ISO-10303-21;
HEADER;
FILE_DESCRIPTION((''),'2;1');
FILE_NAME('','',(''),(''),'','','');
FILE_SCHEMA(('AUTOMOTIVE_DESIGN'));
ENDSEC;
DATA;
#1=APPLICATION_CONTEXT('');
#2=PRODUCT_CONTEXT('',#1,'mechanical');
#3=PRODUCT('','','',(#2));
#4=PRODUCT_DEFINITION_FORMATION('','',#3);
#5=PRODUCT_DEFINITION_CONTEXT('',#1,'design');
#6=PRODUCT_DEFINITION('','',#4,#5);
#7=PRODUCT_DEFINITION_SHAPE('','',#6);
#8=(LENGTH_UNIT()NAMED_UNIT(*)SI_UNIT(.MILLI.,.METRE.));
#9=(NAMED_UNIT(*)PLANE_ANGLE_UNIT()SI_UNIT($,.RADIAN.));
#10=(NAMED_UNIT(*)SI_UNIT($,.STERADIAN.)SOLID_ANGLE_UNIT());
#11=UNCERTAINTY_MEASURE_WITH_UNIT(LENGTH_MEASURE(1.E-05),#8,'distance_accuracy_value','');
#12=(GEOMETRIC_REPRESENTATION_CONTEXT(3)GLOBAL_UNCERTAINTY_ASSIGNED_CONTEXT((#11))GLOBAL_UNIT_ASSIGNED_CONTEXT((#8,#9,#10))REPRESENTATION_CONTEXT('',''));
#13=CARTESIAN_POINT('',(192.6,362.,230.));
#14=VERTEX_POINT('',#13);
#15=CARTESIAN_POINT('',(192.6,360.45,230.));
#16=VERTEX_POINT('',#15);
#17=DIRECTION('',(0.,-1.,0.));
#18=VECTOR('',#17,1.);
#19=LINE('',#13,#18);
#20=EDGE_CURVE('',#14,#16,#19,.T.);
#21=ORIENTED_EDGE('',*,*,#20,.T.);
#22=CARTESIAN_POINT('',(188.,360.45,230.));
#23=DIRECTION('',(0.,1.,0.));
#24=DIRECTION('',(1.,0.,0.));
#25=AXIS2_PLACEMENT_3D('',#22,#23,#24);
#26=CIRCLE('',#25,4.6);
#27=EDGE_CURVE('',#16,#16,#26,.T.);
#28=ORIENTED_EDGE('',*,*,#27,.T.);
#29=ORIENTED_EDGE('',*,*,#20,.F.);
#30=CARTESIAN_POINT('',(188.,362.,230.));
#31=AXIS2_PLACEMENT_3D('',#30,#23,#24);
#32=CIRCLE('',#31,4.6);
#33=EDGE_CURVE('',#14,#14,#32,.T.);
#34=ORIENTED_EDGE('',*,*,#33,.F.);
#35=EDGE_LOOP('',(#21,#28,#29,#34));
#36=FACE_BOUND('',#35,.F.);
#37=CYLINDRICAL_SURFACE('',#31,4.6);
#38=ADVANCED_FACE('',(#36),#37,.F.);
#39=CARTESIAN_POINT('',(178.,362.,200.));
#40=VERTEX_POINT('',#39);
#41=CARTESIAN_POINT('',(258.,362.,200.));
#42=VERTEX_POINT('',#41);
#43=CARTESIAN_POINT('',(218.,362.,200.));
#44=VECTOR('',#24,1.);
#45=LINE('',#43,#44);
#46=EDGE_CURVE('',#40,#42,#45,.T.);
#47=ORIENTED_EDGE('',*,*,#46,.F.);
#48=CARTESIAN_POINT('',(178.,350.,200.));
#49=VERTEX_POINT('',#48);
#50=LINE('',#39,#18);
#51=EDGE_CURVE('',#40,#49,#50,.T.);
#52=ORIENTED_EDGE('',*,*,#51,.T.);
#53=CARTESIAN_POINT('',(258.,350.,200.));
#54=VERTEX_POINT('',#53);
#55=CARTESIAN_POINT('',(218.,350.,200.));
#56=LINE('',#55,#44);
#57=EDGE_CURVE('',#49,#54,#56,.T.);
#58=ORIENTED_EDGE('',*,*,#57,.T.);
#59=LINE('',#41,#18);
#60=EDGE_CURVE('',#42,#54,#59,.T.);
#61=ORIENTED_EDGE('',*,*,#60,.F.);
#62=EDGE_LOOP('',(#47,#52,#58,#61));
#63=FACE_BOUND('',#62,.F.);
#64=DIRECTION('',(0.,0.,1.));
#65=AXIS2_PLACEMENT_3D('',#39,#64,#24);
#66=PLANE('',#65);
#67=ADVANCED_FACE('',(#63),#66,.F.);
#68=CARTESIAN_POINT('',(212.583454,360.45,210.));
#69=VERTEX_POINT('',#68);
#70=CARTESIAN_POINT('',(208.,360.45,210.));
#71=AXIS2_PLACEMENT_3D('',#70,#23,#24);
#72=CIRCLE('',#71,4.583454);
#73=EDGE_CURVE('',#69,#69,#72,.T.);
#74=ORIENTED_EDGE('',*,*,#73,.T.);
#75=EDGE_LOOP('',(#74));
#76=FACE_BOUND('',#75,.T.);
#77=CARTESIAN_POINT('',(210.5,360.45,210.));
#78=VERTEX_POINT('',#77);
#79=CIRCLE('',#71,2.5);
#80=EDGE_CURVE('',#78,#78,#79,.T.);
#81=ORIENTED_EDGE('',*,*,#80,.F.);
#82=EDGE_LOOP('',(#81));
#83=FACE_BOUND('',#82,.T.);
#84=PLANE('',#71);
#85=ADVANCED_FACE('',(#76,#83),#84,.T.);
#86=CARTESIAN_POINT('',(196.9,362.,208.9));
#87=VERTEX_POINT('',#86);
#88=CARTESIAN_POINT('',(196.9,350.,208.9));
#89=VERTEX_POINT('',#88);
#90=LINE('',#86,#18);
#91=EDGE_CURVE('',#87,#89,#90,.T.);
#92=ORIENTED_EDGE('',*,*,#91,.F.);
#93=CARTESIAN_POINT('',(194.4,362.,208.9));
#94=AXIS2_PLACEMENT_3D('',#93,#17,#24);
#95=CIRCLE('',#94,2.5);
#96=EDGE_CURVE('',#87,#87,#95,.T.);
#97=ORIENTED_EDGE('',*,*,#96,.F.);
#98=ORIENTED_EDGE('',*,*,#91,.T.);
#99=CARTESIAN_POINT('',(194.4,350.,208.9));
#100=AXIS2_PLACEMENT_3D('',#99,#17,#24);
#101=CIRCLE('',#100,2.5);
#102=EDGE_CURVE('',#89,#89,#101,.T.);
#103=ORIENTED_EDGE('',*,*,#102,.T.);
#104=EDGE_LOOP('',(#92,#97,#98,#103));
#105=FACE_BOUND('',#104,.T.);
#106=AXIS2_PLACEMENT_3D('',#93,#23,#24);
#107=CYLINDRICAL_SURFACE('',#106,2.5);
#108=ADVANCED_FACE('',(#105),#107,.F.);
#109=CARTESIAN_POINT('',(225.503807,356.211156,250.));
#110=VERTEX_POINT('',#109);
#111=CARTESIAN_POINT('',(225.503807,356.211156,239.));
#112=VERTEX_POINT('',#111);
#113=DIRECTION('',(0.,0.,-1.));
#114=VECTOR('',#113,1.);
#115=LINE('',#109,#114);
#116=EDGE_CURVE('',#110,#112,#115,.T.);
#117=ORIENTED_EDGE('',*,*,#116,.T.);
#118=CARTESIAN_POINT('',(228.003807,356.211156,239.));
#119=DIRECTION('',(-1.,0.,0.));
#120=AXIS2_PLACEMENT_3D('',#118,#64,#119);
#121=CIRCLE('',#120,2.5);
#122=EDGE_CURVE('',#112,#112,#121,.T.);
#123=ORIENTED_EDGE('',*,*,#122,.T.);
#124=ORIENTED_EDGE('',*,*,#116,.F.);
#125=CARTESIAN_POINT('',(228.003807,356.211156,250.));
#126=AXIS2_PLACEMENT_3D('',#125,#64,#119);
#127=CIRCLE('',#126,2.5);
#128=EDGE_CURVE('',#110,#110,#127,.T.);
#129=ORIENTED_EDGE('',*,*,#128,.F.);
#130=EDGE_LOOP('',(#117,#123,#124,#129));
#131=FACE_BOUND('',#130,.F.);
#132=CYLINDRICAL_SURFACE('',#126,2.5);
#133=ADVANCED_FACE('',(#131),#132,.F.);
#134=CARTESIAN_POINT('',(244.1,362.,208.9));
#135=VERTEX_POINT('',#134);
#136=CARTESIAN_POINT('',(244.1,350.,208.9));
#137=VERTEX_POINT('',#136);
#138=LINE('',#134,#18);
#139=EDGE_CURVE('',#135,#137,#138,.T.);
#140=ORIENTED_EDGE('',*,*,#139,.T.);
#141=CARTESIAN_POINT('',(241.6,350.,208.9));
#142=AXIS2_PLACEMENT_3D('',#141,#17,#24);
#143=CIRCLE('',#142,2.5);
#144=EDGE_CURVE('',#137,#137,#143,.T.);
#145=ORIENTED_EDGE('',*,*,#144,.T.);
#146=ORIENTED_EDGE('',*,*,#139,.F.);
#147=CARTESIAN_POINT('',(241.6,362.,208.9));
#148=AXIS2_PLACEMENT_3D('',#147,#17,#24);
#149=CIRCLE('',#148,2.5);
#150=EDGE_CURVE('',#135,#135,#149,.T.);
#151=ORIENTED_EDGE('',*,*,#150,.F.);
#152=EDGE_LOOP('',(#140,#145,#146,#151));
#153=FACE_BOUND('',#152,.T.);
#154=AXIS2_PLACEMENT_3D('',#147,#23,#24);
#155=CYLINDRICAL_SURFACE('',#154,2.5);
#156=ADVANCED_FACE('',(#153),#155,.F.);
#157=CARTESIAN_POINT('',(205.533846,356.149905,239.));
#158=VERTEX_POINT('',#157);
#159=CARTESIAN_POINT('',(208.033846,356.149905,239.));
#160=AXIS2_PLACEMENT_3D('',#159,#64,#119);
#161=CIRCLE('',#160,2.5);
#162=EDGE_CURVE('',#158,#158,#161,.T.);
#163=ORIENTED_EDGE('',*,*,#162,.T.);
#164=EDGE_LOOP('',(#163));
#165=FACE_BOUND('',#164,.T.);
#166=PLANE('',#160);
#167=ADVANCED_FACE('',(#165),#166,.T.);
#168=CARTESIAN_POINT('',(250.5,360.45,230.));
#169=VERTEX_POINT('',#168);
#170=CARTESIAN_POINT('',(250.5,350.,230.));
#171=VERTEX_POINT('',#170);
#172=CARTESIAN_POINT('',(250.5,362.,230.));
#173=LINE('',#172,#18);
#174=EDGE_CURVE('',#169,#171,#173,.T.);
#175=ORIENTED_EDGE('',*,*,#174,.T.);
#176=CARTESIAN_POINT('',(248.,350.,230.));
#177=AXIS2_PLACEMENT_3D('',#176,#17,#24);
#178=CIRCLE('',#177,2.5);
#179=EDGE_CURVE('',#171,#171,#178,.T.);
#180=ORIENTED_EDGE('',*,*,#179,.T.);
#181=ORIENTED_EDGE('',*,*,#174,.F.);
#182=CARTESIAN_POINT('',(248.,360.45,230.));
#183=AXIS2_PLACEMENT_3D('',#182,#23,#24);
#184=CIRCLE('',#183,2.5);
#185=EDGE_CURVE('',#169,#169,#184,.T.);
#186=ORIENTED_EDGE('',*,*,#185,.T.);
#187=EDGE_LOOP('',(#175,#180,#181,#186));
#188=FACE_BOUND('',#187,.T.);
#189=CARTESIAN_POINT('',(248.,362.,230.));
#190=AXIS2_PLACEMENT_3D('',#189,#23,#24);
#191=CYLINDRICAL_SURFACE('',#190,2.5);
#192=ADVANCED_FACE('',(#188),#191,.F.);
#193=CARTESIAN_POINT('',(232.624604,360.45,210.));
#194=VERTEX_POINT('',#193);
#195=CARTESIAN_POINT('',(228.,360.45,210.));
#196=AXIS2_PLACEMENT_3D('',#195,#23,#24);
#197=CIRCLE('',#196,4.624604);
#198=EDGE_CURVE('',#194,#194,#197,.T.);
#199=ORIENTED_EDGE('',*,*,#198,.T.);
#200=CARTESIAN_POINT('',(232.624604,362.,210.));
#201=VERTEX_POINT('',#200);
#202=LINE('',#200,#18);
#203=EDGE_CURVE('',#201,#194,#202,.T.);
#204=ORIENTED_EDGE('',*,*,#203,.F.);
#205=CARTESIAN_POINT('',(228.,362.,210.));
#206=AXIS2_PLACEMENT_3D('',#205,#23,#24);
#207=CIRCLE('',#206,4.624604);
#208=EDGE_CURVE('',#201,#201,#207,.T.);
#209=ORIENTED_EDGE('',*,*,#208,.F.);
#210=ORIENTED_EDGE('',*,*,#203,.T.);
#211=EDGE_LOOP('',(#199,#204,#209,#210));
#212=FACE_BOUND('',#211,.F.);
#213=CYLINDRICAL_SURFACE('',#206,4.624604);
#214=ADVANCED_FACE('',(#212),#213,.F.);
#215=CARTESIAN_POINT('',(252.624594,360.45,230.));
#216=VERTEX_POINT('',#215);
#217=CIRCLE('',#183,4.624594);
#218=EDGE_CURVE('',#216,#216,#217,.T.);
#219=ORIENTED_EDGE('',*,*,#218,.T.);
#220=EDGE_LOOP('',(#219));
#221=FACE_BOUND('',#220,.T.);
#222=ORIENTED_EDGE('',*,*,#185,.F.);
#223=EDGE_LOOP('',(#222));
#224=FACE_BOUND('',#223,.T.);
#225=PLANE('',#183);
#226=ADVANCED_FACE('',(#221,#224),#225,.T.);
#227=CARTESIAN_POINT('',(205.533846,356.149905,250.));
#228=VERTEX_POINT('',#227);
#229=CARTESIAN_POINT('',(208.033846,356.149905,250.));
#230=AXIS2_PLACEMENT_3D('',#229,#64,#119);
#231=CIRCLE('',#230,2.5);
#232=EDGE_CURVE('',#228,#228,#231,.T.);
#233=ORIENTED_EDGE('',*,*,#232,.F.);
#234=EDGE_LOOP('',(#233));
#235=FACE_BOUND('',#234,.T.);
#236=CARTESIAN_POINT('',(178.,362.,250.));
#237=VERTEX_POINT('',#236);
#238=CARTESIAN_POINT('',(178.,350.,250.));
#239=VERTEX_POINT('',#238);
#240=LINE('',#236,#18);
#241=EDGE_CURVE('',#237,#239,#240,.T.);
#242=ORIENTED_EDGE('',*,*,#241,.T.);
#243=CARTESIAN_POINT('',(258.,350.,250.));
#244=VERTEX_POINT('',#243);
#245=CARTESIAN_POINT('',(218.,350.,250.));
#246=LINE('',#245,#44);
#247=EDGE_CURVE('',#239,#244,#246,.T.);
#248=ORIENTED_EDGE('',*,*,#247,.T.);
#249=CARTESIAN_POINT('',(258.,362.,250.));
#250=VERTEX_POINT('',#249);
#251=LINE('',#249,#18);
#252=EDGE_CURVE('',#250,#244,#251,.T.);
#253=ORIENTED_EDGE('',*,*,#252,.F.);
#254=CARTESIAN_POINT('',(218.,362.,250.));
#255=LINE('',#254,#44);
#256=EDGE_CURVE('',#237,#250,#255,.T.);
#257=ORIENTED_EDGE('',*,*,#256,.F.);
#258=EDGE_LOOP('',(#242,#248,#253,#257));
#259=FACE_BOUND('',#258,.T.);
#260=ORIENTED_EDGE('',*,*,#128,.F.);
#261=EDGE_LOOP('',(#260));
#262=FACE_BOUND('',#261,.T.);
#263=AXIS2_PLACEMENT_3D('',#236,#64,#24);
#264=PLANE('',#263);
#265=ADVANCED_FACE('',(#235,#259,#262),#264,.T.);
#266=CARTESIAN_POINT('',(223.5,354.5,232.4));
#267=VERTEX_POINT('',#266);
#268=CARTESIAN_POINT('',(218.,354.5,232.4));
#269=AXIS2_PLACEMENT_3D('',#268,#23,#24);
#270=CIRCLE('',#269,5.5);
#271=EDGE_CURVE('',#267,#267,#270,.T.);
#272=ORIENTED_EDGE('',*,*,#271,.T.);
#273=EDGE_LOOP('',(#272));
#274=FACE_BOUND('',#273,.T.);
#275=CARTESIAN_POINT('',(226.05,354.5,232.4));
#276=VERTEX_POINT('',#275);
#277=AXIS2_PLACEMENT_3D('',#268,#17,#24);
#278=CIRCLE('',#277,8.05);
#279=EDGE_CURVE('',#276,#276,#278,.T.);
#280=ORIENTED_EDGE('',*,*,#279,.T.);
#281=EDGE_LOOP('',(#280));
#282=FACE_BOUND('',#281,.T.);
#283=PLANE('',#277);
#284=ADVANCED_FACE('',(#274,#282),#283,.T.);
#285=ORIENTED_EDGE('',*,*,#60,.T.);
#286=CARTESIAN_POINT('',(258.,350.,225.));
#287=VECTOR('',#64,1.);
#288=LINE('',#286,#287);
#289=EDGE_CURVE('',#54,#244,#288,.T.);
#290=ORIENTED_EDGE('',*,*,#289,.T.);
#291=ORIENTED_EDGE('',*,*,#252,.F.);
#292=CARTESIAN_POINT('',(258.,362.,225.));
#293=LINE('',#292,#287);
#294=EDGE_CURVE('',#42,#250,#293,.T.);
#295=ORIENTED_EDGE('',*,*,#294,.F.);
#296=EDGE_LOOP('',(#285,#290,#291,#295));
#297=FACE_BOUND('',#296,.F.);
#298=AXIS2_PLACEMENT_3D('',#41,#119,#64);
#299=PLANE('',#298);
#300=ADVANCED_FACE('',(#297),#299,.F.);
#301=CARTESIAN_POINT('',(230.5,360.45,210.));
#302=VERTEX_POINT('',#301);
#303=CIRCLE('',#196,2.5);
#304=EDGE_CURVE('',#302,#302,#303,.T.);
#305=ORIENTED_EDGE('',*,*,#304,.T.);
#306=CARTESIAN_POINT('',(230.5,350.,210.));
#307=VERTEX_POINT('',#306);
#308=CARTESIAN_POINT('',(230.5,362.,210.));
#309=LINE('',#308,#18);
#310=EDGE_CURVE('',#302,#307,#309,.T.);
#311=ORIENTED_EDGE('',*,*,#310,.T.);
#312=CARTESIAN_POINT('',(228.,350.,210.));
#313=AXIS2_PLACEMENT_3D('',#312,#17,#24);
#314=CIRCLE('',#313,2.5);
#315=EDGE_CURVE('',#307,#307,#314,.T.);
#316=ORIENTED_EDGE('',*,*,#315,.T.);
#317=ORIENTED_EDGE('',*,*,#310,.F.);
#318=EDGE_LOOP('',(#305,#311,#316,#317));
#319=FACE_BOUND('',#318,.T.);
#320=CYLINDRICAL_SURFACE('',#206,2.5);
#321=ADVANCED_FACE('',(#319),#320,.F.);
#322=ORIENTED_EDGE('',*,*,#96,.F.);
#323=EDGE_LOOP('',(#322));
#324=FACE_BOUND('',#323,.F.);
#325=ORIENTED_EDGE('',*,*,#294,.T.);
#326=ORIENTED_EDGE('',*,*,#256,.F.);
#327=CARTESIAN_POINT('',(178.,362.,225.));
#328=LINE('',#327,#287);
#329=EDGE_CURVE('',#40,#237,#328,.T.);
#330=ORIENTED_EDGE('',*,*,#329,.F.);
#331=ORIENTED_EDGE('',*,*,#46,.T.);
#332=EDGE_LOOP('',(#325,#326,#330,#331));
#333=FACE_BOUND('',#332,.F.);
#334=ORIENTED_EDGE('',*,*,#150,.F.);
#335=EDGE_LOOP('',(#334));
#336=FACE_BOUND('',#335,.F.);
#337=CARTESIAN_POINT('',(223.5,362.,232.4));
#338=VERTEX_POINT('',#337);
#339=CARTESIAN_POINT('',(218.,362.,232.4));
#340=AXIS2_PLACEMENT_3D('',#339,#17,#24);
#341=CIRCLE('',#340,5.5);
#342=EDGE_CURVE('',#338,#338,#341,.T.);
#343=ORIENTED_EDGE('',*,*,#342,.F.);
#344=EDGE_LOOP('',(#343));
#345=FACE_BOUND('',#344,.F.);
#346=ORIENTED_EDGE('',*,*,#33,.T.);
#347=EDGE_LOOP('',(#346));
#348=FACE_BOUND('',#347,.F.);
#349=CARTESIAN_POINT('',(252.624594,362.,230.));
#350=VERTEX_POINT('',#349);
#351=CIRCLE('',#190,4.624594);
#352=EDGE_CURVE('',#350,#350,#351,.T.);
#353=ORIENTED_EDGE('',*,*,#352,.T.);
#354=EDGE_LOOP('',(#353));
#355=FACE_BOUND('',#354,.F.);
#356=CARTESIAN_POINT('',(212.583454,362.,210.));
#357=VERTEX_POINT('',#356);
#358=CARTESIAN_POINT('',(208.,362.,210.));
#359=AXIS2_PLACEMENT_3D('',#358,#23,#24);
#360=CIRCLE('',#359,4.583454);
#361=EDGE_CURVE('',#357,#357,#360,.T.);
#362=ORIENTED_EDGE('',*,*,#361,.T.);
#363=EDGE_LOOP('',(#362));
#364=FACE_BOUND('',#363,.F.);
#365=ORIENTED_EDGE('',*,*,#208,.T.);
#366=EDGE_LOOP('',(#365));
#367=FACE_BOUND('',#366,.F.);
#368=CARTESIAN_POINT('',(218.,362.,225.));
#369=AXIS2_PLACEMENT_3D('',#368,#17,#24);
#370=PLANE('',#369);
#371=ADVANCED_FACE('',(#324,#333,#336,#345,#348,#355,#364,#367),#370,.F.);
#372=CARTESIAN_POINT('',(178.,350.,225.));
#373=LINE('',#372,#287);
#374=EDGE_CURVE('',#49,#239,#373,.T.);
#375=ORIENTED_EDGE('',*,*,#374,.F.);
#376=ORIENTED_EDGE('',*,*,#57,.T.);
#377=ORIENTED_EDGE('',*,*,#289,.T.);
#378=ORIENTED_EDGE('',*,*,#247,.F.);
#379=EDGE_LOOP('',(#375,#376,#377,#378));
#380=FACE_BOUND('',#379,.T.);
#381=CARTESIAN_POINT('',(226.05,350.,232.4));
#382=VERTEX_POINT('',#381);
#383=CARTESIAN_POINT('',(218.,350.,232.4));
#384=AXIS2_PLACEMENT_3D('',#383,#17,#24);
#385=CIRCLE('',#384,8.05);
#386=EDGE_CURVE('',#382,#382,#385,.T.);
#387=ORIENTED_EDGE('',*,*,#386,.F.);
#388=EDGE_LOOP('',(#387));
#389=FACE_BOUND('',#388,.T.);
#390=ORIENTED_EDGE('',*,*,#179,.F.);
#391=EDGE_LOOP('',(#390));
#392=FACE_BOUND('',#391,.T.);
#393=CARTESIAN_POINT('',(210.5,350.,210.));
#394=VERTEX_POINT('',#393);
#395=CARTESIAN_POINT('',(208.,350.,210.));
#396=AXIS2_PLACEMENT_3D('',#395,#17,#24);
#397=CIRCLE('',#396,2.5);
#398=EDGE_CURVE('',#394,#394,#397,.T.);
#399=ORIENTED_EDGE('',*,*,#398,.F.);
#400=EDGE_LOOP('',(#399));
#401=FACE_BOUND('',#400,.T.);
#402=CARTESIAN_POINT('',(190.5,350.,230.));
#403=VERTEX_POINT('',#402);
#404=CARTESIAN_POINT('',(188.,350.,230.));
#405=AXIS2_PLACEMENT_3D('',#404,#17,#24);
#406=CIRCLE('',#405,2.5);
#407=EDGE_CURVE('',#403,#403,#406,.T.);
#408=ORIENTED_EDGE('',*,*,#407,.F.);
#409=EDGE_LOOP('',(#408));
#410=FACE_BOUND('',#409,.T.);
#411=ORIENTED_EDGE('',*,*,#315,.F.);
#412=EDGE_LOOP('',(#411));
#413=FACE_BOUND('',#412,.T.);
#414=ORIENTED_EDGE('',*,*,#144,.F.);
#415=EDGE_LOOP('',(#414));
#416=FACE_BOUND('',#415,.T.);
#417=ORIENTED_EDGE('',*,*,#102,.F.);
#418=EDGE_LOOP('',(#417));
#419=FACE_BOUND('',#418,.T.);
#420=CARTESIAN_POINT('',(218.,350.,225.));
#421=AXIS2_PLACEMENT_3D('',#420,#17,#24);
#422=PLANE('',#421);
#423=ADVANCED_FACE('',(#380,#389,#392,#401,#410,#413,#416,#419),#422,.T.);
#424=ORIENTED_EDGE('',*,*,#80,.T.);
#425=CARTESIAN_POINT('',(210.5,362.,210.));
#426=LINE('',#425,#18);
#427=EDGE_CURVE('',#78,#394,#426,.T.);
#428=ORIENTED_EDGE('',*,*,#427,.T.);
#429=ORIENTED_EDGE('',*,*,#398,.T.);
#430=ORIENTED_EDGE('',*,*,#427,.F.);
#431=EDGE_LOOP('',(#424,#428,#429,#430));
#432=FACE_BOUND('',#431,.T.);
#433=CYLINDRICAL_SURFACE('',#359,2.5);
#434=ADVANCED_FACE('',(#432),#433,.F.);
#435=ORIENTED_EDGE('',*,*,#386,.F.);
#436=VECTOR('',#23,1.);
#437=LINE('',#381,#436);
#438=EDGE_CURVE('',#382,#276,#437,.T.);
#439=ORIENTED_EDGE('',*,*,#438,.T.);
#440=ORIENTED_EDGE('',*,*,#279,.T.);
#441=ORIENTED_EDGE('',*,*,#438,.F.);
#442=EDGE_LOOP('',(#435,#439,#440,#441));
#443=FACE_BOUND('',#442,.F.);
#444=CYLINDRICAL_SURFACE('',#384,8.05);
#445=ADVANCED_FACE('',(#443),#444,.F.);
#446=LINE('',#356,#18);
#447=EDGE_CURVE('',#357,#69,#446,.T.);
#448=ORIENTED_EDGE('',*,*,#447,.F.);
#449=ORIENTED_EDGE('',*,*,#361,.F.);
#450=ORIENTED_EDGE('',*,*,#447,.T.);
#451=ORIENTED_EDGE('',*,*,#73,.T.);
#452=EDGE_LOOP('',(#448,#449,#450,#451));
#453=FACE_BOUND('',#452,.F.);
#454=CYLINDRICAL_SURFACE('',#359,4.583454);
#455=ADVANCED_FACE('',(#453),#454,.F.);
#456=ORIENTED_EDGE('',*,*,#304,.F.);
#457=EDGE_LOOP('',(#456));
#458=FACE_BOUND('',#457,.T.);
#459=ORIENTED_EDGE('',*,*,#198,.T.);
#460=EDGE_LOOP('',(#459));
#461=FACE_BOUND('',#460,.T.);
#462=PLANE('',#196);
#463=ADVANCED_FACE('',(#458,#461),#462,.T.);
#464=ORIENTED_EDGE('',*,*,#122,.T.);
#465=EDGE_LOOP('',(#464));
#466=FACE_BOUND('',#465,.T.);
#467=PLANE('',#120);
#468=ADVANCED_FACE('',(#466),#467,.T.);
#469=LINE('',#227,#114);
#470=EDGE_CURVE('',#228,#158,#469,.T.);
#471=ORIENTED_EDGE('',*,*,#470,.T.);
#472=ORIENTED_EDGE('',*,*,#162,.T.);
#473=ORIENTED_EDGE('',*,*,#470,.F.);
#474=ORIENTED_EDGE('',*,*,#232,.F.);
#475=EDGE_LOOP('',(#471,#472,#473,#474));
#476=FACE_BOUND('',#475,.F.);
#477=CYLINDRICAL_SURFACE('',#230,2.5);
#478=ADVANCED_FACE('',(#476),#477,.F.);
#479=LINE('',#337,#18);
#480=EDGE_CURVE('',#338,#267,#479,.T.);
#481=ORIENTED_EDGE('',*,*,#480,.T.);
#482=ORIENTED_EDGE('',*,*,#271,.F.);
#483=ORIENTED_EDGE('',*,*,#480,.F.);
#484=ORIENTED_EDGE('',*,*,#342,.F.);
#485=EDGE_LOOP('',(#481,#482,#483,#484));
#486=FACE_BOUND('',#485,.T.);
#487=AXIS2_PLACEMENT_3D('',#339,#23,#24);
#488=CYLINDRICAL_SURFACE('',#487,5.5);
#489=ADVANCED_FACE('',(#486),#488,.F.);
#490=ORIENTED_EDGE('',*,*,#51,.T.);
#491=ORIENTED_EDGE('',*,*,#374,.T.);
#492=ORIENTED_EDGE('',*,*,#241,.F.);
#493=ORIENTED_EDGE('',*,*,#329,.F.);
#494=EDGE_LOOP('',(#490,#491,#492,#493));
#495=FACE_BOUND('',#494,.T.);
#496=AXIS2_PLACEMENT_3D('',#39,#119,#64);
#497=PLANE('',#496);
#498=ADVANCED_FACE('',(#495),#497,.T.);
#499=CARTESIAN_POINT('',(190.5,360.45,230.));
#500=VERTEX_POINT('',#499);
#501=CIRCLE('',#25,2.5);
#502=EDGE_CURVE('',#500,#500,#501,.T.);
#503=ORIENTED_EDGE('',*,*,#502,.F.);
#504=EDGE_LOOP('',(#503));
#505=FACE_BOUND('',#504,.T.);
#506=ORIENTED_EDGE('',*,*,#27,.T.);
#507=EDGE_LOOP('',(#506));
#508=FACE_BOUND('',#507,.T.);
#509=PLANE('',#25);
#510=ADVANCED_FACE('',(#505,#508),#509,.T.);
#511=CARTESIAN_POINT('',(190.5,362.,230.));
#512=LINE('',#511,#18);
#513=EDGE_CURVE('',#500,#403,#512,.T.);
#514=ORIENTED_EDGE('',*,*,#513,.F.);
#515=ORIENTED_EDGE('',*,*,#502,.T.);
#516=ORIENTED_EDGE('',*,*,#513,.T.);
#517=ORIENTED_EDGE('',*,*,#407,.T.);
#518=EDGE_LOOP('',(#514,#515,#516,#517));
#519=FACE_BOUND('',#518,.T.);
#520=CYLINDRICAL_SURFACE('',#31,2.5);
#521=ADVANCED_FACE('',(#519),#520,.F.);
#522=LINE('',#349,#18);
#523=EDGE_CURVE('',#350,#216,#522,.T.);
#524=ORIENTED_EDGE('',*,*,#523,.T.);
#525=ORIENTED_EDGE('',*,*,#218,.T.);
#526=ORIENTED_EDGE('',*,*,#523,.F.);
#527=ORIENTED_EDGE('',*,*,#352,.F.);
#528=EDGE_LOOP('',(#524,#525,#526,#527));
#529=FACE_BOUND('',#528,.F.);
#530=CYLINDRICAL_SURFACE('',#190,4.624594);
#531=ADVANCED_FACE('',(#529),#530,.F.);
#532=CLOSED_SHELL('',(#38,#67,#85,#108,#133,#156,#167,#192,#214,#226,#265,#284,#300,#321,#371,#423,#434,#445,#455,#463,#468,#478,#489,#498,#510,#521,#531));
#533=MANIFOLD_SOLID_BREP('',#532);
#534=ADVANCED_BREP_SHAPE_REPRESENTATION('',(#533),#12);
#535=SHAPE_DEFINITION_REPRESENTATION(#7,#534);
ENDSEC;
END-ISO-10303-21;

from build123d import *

# Parameters (mm, degrees)
SKETCH023_W     = 80
SKETCH023_H     = 50
SKETCH023_R     = 2.5
SKETCH023_R_2   = 5.5
PAD005_DEPTH    = 12
SKETCH024_R     = 2.5
POCKET015_DEPTH = 11
SKETCH025_R     = 8.05
POCKET016_DEPTH = 4.5
SKETCH026_R     = 4.6
SKETCH026_R_2   = 4.624594
SKETCH026_R_3   = 4.583454
SKETCH026_R_4   = 4.624604
POCKET017_DEPTH = 1.55


with BuildPart() as part:
    # Sketch023 → Pad005 (new body)
    with BuildSketch(Plane(origin=(178, 362, 200), x_dir=(1, 0, 0), z_dir=(0, -1, 0))):
        with Locations((40, 25)):
            Rectangle(SKETCH023_W, SKETCH023_H)
        with Locations((10, 30)):
            Circle(SKETCH023_R, mode=Mode.SUBTRACT)
        with Locations((30, 10)):
            Circle(SKETCH023_R, mode=Mode.SUBTRACT)
        with Locations((16.4, 8.9)):
            Circle(SKETCH023_R, mode=Mode.SUBTRACT)
        with Locations((50, 10)):
            Circle(SKETCH023_R, mode=Mode.SUBTRACT)
        with Locations((63.6, 8.9)):
            Circle(SKETCH023_R, mode=Mode.SUBTRACT)
        with Locations((70, 30)):
            Circle(SKETCH023_R, mode=Mode.SUBTRACT)
        with Locations((40, 32.4)):
            Circle(SKETCH023_R_2, mode=Mode.SUBTRACT)
    extrude(amount=PAD005_DEPTH)

    # Sketch024 → Pocket015 (cut)
    with BuildSketch(Plane(origin=(178, 362, 250), x_dir=(-1, 0, 0), z_dir=(0, 0, 1))):
        with Locations((-30.033846, 5.850095)):
            Circle(SKETCH024_R)
        with Locations((-50.003807, 5.788844)):
            Circle(SKETCH024_R)
    extrude(amount=-POCKET015_DEPTH, mode=Mode.SUBTRACT)

    # Sketch025 → Pocket016 (cut)
    with BuildSketch(Plane(origin=(178, 350, 200), x_dir=(1, 0, 0), z_dir=(0, -1, 0))):
        with Locations((40, 32.4)):
            Circle(SKETCH025_R)
    extrude(amount=-POCKET016_DEPTH, mode=Mode.SUBTRACT)

    # Sketch026 → Pocket017 (cut)
    with BuildSketch(Plane(origin=(178, 362, 200), x_dir=(1, 0, 0), z_dir=(0, 1, 0))):
        with Locations((10, -30)):
            Circle(SKETCH026_R)
        with Locations((70, -30)):
            Circle(SKETCH026_R_2)
        with Locations((30, -10)):
            Circle(SKETCH026_R_3)
        with Locations((50, -10)):
            Circle(SKETCH026_R_4)
    extrude(amount=-POCKET017_DEPTH, mode=Mode.SUBTRACT)


solid = part.part
